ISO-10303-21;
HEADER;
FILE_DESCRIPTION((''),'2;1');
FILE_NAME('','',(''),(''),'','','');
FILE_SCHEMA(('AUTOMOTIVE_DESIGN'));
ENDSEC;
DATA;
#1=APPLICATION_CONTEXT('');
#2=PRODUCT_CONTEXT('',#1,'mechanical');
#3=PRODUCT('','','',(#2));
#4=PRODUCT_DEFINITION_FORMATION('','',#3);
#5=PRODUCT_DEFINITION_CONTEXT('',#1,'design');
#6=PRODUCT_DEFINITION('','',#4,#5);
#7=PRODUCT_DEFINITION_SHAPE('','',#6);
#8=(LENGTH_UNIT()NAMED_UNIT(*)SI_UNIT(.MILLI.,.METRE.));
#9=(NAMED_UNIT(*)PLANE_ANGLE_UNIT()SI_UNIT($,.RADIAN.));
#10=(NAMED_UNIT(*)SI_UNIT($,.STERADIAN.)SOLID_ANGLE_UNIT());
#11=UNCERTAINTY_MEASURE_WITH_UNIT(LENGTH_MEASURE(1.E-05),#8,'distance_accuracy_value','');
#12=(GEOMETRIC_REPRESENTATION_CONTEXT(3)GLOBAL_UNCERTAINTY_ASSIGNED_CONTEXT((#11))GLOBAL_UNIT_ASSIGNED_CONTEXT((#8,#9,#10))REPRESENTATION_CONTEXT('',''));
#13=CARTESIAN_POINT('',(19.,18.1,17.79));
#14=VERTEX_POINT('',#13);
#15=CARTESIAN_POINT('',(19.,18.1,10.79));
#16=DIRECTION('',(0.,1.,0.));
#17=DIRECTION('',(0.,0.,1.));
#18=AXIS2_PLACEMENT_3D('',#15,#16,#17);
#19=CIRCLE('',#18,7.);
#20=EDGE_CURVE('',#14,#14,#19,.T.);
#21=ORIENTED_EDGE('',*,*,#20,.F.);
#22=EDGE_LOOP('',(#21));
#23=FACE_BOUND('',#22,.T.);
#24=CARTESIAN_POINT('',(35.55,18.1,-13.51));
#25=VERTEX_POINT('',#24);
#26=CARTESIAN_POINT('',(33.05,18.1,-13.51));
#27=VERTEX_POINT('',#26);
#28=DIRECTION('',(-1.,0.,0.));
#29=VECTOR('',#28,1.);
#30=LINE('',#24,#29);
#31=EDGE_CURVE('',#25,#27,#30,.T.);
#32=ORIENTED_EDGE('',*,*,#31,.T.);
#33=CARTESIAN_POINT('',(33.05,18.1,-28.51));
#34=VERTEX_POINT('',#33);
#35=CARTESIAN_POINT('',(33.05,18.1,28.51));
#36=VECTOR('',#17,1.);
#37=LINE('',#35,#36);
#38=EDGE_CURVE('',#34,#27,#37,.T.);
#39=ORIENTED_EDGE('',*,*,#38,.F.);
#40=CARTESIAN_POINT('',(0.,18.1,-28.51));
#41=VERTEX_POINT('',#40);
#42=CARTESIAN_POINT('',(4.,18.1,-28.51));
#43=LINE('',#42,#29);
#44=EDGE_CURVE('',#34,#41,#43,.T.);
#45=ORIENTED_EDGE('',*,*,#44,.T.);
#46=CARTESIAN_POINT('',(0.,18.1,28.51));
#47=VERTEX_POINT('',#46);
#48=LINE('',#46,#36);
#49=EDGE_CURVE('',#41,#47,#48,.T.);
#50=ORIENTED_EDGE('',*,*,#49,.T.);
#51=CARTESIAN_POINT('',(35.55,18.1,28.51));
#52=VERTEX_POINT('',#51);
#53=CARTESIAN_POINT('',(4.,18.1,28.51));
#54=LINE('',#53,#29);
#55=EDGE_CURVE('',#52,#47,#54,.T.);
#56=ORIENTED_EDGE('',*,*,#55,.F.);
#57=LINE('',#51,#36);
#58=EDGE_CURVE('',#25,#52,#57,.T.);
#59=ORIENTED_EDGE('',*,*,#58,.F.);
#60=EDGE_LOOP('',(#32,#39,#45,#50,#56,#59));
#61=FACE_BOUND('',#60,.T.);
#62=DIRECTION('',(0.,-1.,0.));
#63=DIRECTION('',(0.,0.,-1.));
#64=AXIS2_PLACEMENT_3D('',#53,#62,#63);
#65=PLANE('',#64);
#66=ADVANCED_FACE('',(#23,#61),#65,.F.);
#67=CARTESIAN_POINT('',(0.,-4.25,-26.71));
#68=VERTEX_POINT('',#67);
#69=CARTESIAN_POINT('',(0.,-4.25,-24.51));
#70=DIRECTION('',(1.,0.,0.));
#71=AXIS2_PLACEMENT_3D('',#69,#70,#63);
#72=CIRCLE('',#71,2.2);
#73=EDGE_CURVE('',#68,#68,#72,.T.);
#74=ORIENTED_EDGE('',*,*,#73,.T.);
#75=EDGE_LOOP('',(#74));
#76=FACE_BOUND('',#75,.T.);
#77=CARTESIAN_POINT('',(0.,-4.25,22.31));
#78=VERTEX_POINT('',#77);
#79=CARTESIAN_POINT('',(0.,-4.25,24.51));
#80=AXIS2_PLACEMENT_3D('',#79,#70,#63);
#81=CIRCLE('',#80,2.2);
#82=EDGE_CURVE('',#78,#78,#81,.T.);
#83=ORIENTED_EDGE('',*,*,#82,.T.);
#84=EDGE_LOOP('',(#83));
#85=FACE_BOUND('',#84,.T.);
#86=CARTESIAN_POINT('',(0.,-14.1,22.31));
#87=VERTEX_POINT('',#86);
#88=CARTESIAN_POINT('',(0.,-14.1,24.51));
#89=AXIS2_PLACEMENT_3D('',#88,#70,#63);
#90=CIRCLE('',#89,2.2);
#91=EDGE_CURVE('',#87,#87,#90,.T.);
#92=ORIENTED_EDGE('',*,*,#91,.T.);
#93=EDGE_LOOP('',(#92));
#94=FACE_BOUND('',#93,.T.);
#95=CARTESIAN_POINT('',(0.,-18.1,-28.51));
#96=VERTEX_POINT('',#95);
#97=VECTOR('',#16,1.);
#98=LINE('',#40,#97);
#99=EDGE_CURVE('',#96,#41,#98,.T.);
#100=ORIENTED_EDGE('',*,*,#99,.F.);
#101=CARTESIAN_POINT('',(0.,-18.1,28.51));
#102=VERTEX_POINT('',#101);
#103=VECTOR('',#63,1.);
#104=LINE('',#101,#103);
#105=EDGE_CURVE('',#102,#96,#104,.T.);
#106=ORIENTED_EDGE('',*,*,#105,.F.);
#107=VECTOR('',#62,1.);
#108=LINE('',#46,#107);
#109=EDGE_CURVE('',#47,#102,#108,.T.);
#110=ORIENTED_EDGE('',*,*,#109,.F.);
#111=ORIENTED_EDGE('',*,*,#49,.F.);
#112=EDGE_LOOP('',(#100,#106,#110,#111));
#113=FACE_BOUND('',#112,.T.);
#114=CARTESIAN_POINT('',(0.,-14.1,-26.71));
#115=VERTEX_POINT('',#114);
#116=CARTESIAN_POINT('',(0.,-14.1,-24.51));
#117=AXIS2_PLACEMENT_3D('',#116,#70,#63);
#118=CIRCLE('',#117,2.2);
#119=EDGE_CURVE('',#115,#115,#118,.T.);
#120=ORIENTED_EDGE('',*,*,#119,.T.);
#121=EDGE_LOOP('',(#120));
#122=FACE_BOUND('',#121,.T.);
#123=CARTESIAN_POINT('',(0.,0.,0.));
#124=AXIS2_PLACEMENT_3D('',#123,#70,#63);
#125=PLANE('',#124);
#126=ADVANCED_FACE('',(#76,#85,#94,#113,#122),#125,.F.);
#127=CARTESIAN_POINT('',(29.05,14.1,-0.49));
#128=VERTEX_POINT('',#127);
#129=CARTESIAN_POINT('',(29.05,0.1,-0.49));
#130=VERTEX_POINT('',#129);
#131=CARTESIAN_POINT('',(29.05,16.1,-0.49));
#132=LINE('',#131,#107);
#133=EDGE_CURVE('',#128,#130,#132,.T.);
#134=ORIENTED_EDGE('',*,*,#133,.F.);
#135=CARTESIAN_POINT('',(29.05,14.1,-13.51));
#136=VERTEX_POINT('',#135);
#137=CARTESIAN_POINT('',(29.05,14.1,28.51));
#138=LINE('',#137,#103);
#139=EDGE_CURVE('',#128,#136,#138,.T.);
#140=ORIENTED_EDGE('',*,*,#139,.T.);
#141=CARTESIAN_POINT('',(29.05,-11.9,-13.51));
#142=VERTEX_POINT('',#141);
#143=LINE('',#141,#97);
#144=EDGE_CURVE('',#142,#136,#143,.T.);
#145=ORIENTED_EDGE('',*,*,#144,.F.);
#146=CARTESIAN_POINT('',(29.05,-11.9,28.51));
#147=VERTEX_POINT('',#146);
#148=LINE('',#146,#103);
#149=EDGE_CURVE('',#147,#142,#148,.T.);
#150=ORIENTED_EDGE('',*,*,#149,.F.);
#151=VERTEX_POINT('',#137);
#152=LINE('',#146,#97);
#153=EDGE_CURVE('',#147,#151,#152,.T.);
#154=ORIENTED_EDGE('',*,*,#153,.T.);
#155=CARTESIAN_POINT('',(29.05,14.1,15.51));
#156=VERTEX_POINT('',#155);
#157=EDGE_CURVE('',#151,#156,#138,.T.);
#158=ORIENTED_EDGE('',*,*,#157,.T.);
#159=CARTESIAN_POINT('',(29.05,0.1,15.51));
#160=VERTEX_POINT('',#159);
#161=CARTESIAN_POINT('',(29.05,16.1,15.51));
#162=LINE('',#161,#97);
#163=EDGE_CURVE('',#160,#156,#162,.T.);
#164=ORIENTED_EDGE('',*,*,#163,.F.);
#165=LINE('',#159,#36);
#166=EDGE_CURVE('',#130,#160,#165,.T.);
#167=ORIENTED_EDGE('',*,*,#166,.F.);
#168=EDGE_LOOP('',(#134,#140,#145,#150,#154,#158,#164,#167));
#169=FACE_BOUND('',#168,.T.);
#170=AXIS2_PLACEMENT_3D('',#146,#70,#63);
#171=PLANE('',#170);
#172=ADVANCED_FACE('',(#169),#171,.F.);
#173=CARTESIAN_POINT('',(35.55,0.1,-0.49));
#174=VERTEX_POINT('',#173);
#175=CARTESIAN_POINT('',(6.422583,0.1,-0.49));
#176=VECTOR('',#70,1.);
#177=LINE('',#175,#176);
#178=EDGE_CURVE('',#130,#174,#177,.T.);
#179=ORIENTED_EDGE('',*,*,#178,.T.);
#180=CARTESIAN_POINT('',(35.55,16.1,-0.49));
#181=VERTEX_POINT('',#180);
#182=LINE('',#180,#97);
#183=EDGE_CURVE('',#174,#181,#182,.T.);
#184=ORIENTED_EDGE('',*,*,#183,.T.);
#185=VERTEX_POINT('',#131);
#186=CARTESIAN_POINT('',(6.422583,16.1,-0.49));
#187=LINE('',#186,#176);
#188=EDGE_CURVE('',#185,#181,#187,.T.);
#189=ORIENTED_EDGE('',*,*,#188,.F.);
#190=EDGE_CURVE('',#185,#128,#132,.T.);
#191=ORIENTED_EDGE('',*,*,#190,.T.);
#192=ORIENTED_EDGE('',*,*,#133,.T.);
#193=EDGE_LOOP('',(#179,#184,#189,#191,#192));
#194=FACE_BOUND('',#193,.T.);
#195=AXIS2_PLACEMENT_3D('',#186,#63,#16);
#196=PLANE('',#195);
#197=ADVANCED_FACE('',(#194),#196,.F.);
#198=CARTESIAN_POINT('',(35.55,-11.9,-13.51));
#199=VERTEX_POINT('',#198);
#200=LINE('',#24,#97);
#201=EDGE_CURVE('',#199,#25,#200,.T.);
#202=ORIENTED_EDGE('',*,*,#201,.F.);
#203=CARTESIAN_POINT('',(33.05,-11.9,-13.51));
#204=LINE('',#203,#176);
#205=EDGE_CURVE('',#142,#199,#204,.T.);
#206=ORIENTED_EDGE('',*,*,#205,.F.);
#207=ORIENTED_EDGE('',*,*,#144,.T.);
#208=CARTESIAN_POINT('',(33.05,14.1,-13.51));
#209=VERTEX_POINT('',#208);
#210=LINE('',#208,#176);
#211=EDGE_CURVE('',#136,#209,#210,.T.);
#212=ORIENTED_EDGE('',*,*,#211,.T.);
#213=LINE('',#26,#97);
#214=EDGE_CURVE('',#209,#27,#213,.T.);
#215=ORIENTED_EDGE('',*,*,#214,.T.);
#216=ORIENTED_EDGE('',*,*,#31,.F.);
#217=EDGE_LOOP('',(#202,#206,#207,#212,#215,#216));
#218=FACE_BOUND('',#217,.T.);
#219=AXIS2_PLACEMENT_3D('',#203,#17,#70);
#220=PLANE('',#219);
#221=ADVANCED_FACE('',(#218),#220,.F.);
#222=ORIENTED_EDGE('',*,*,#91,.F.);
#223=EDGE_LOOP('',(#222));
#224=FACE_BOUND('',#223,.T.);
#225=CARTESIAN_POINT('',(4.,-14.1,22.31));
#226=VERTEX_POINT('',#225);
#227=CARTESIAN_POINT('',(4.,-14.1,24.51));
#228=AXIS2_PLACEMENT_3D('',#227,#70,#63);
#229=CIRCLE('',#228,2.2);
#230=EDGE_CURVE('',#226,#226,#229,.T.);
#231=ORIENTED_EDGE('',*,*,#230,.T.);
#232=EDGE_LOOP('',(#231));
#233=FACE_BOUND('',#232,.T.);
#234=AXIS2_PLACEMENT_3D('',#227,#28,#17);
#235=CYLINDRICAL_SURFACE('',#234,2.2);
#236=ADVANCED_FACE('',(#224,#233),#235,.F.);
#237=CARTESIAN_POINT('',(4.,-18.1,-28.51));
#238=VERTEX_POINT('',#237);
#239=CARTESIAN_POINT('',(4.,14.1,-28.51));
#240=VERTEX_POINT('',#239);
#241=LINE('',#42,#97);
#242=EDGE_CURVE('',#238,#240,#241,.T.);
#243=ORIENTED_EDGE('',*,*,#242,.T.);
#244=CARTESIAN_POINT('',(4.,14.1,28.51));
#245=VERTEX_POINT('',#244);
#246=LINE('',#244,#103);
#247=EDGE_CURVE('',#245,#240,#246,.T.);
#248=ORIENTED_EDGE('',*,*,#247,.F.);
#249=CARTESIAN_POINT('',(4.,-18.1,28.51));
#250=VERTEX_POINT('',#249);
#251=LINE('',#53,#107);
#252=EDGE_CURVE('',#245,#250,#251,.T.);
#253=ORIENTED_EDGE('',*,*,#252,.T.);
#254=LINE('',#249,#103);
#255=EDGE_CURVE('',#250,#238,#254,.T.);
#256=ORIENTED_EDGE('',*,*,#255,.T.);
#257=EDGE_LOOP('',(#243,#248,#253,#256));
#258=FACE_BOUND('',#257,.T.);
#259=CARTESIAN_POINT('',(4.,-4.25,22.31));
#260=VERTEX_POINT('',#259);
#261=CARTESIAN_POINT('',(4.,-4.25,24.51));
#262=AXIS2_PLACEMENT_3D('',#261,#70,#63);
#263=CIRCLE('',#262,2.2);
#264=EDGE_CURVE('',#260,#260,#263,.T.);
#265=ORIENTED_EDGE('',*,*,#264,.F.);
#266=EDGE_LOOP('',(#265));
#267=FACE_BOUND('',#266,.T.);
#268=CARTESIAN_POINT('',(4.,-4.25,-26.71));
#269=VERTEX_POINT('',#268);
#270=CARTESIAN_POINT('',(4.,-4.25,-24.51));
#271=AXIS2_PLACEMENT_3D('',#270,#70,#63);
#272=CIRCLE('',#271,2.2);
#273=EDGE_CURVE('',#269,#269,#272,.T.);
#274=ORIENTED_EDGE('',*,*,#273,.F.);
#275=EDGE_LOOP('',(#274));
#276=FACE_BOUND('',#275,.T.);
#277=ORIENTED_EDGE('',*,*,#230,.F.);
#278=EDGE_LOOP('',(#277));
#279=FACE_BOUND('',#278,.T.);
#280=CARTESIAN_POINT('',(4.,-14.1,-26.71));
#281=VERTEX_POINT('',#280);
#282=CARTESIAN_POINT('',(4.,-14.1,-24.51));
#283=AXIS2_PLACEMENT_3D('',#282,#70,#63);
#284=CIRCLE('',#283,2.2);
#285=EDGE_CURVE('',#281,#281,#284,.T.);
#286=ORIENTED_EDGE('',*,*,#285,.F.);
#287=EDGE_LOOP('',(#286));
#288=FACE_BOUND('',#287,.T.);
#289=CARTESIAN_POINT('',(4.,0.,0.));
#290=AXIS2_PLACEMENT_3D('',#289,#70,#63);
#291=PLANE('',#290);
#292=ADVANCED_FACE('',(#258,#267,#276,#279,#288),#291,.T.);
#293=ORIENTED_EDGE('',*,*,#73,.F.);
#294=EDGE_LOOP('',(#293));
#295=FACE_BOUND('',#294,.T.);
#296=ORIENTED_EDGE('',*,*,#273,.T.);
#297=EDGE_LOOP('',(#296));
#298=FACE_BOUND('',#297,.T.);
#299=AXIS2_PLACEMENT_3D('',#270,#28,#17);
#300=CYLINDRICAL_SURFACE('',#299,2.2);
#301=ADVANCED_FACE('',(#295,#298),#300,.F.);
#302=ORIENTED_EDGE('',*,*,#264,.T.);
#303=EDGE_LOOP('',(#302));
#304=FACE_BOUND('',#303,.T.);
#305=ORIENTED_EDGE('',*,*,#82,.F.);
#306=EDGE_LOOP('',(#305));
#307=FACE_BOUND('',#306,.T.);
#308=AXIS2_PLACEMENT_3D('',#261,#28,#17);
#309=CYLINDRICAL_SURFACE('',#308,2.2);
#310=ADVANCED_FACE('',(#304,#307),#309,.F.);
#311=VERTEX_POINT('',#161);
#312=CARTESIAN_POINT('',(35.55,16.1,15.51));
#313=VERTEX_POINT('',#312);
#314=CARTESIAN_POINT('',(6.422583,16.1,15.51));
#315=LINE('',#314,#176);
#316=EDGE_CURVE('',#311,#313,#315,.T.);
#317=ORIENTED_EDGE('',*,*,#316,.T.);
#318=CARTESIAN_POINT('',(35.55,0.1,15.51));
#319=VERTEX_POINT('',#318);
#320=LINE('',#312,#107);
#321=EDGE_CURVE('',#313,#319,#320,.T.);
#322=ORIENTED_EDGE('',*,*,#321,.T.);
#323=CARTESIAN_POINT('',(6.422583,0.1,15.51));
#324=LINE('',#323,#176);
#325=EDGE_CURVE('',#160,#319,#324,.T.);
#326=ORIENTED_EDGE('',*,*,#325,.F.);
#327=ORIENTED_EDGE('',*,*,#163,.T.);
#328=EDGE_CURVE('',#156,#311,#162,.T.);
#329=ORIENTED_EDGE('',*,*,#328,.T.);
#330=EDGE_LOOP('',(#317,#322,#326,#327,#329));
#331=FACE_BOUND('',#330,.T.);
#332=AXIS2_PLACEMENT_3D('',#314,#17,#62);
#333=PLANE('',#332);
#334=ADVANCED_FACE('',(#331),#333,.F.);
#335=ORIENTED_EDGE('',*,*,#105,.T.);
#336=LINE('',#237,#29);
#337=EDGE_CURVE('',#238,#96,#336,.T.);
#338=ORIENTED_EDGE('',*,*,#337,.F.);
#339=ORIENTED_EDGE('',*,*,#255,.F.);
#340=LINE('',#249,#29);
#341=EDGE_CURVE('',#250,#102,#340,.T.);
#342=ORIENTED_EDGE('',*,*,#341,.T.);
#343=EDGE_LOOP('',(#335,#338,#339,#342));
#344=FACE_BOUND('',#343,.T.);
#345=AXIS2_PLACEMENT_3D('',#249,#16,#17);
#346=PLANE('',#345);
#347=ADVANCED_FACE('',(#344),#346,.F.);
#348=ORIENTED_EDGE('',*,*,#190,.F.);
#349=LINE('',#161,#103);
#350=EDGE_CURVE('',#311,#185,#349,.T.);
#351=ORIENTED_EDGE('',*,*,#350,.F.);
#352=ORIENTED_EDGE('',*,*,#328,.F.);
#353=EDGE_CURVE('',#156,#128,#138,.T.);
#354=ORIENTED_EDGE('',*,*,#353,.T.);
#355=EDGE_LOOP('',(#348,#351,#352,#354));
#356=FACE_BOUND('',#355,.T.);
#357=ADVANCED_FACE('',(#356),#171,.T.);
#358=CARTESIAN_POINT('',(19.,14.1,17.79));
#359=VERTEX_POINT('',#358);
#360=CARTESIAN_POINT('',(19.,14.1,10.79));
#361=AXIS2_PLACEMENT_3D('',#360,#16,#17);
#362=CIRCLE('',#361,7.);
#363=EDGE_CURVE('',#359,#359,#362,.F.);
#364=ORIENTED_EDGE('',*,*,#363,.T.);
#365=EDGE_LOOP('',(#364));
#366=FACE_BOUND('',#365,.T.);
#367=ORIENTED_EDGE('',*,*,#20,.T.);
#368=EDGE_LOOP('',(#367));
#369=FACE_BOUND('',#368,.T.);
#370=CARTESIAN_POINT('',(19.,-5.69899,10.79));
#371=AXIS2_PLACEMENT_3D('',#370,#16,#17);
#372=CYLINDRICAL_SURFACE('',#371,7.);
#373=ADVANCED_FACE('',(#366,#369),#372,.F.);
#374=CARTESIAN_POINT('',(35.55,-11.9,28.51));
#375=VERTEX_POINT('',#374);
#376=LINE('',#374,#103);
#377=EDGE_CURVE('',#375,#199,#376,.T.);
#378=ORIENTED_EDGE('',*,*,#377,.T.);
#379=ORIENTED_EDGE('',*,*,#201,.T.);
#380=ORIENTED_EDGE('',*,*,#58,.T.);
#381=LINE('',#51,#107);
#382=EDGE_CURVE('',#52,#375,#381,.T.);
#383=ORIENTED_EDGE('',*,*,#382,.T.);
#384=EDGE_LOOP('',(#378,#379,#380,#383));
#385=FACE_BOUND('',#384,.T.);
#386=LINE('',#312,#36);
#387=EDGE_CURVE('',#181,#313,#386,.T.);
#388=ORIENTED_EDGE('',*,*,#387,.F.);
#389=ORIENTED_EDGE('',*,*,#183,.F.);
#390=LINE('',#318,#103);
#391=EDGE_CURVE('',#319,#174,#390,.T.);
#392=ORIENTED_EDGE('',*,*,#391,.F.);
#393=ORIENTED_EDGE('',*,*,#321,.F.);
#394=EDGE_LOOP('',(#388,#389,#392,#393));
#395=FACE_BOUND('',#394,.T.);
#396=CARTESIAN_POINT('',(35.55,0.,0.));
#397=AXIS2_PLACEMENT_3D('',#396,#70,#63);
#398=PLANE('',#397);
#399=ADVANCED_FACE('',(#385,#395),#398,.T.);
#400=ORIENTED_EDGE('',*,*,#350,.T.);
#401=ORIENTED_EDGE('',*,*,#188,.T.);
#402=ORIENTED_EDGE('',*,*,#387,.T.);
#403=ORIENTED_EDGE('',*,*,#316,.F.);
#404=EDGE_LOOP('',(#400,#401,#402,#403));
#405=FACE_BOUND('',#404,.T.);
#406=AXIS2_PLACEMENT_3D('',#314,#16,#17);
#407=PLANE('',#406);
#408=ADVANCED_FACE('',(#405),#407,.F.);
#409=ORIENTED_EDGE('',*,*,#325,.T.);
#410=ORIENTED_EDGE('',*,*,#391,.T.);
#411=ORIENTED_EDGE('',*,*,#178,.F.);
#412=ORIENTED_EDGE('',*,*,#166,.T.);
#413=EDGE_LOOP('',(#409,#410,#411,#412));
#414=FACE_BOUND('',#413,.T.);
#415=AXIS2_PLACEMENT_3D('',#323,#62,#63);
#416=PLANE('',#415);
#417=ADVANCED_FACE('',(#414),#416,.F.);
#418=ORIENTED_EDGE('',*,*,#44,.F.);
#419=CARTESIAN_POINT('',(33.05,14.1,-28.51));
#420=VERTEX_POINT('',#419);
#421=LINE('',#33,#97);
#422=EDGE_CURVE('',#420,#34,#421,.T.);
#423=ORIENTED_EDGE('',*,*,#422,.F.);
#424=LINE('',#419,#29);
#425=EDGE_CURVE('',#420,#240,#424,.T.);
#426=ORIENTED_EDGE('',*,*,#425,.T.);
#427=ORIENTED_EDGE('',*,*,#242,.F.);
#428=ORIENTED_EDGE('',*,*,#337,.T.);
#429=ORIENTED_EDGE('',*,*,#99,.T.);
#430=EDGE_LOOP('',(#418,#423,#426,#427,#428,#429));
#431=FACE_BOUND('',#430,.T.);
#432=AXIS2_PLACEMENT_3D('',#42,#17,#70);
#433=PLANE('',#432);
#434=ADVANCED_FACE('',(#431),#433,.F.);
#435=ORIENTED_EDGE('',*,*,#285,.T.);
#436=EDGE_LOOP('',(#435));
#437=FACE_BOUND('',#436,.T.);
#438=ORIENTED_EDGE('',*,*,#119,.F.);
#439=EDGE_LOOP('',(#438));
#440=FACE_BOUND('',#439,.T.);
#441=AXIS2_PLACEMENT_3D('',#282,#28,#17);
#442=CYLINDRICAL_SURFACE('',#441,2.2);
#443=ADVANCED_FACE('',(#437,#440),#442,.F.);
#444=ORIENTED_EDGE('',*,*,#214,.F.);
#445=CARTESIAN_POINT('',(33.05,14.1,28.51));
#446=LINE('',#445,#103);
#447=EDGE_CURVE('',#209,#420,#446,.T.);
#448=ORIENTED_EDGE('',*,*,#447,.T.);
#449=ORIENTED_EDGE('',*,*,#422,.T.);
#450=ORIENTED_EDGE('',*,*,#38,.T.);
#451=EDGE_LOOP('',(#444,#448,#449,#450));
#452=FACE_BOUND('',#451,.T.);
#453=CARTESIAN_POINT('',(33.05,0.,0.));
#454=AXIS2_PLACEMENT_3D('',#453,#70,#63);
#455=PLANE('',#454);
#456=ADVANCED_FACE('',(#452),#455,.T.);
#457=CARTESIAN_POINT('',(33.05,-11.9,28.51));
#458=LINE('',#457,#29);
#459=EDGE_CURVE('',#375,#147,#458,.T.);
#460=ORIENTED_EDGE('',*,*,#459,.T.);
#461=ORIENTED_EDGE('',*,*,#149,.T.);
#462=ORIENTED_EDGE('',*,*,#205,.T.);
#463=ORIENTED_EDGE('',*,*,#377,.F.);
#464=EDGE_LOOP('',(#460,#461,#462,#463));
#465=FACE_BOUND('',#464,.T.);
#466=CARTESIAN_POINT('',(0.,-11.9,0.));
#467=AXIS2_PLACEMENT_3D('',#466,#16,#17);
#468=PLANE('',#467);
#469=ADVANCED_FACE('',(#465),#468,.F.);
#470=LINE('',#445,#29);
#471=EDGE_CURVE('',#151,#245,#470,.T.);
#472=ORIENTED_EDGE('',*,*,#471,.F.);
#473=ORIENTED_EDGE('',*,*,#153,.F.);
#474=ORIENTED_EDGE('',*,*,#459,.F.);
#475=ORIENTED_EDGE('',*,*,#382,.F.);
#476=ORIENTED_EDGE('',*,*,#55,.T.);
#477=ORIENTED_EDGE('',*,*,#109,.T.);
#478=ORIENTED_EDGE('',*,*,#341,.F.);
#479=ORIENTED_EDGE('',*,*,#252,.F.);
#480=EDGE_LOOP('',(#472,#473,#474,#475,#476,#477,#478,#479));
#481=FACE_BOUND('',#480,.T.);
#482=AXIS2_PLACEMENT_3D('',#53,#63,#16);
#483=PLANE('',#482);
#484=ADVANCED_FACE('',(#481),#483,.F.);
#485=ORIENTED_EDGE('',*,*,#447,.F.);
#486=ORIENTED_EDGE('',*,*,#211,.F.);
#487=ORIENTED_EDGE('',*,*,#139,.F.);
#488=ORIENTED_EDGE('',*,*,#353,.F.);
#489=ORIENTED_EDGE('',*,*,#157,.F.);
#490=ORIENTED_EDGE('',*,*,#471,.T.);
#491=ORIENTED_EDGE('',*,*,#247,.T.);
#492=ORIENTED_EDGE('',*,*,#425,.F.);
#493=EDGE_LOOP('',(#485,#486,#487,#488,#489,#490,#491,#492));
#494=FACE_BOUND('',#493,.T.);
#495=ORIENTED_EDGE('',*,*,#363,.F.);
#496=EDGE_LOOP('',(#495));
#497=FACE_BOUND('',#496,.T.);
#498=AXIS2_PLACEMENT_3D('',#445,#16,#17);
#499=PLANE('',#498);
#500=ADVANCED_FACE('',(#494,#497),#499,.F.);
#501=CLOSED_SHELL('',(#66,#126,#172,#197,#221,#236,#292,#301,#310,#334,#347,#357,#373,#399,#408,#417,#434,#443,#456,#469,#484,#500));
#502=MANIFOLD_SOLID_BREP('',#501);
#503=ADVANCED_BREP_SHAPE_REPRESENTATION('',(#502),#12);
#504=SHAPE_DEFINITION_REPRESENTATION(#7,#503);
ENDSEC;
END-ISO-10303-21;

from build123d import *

# Parameters (mm, degrees)
SKETCH1_W           = 57.02
SKETCH1_H           = 36.2
SKETCH1_R           = 2.2
BOSS_EXTRUDE1_DEPTH = 4
SKETCH2_W           = 57.02
SKETCH2_H           = 4
BOSS_EXTRUDE2_DEPTH = 29.05
SKETCH3_W           = 4
SKETCH3_H           = 42.02
BOSS_EXTRUDE3_DEPTH = 26
SKETCH5_R           = 7
CUT_EXTRUDE1_DEPTH  = 4
SKETCH6_W           = 42.02
SKETCH6_H           = 30
BOSS_EXTRUDE4_DEPTH = 2.5
SKETCH7_W           = 16
SKETCH7_H           = 16
CUT_EXTRUDE2_DEPTH  = 6.5


with BuildPart() as part:
    # Sketch1 → Boss-Extrude1 (new body)
    with BuildSketch(Plane(origin=(0, 0, 0), x_dir=(0, 0, -1), z_dir=(1, 0, 0))):
        Rectangle(SKETCH1_W, SKETCH1_H)
        with Locations((-24.51, -4.25)):
            Circle(SKETCH1_R, mode=Mode.SUBTRACT)
        with Locations((-24.51, -14.1)):
            Circle(SKETCH1_R, mode=Mode.SUBTRACT)
        with Locations((24.51, -4.25)):
            Circle(SKETCH1_R, mode=Mode.SUBTRACT)
        with Locations((24.51, -14.1)):
            Circle(SKETCH1_R, mode=Mode.SUBTRACT)
    extrude(amount=BOSS_EXTRUDE1_DEPTH)

    # Sketch2 → Boss-Extrude2 (add)
    with BuildSketch(Plane(origin=(4, 0, 0), x_dir=(0, 0, -1), z_dir=(1, 0, 0))):
        with Locations((0, 16.1)):
            Rectangle(SKETCH2_W, SKETCH2_H)
    extrude(amount=BOSS_EXTRUDE2_DEPTH)

    # Sketch3 → Boss-Extrude3 (add)
    with BuildSketch(Plane.XZ.offset(-14.1)):
        with Locations((31.05, 7.5)):
            Rectangle(SKETCH3_W, SKETCH3_H)
    extrude(amount=BOSS_EXTRUDE3_DEPTH)

    # Sketch5 → Cut-Extrude1 (cut)
    with BuildSketch(Plane(origin=(0, 18.1, 0), x_dir=(1, 0, 0), z_dir=(0, 1, 0))):
        with Locations((19, -10.79)):
            Circle(SKETCH5_R)
    extrude(amount=-CUT_EXTRUDE1_DEPTH, mode=Mode.SUBTRACT)

    # Sketch6 → Boss-Extrude4 (add)
    with BuildSketch(Plane(origin=(33.05, 0, 0), x_dir=(0, 0, -1), z_dir=(1, 0, 0))):
        with Locations((-7.5, 3.1)):
            Rectangle(SKETCH6_W, SKETCH6_H)
    extrude(amount=BOSS_EXTRUDE4_DEPTH)

    # Sketch7 → Cut-Extrude2 (cut)
    with BuildSketch(Plane(origin=(35.55, 0, 0), x_dir=(0, 0, -1), z_dir=(1, 0, 0))):
        with Locations((-7.51, 8.1)):
            Rectangle(SKETCH7_W, SKETCH7_H)
    extrude(amount=-CUT_EXTRUDE2_DEPTH, mode=Mode.SUBTRACT)


solid = part.part
